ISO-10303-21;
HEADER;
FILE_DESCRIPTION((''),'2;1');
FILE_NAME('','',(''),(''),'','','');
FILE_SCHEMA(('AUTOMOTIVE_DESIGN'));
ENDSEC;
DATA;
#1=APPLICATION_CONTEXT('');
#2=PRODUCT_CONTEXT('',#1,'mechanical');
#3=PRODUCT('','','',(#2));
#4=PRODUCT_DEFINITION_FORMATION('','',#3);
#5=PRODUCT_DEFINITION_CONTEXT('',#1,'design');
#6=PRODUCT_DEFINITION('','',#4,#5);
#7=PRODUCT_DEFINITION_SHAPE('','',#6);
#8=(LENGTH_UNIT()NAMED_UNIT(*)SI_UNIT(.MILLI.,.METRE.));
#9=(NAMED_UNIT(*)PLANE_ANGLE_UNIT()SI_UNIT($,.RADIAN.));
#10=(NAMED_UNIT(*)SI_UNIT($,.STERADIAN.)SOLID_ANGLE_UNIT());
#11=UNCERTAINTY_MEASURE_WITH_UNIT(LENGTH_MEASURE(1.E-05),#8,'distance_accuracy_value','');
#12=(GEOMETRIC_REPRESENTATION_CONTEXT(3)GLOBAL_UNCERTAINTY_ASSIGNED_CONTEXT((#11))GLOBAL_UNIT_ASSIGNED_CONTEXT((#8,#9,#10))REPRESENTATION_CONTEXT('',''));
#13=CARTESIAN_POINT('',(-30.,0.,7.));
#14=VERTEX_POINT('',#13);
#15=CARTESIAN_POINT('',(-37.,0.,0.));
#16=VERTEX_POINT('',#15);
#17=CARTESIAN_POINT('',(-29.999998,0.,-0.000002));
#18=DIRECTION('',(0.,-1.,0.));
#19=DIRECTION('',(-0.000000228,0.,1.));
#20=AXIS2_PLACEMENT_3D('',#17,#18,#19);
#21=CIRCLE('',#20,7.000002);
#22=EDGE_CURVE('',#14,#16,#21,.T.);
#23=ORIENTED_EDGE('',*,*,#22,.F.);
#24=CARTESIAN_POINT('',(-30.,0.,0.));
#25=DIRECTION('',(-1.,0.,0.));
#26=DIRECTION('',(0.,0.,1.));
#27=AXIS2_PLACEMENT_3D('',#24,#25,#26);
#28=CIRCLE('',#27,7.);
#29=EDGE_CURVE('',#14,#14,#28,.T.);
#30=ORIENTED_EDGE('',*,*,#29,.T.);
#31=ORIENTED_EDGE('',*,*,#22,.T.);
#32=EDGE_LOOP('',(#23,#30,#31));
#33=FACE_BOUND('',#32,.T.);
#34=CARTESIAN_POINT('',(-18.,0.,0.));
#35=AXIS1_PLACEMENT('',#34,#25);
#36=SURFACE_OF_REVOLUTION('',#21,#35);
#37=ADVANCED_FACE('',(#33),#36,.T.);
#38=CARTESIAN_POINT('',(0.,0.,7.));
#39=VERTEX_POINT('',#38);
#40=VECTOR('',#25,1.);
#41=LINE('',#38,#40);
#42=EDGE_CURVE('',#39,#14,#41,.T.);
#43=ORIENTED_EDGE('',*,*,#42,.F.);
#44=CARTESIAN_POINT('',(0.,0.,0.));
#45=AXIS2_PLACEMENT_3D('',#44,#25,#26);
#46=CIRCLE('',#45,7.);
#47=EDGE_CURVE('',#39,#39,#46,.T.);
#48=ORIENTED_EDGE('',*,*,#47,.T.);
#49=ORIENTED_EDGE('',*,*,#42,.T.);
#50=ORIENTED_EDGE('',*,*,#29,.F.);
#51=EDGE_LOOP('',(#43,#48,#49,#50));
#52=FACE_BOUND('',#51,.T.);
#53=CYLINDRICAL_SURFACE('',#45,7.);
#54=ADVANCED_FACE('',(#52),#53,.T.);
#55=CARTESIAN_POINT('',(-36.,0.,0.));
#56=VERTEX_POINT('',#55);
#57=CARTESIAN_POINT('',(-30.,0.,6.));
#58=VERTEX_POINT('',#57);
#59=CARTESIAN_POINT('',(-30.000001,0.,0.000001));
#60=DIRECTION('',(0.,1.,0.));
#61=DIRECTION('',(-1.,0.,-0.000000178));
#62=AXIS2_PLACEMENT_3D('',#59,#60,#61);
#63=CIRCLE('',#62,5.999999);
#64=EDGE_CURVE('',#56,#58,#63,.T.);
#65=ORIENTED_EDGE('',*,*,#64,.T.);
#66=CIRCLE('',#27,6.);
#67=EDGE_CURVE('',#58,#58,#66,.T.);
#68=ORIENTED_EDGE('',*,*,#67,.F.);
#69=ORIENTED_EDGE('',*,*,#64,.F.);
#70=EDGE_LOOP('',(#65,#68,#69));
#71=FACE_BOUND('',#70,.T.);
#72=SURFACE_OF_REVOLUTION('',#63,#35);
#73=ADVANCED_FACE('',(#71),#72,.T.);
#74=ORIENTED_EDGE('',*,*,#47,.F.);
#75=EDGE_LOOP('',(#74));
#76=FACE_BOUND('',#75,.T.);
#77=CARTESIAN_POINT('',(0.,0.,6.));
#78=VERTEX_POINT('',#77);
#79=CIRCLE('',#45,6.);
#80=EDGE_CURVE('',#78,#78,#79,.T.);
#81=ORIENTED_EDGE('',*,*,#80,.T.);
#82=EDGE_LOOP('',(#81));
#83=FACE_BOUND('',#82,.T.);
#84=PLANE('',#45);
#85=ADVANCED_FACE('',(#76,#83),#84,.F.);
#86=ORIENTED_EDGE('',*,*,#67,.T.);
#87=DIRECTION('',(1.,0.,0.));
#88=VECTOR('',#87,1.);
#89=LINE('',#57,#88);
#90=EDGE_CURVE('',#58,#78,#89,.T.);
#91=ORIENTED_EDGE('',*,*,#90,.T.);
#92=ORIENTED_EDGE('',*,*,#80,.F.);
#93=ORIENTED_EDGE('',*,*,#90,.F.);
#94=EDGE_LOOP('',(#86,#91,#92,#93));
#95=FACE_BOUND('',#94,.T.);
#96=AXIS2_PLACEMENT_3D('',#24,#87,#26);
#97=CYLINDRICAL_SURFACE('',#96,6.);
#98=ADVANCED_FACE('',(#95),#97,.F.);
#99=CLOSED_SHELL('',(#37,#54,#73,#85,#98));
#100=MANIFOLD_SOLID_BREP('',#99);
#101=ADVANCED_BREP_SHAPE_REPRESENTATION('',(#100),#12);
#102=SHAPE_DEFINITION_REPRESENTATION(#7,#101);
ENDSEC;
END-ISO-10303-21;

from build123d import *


with BuildPart() as f1:
    # F0 (on Front) → F1 (revolve)
    with BuildSketch(Plane.XZ):
        with BuildLine():
            Line((0, 6), (0, 7))
            Line((0, 7), (-30, 7))
            ThreePointArc((-30, 7), (-34.949747, 4.949747), (-37, 0))
            Line((-37, 0), (-36, 0))
            ThreePointArc((-36, 0), (-34.242641, 4.242641), (-30, 6))
            Line((-30, 6), (0, 6))
        make_face()
    revolve(axis=Axis((-18, 0, 0), (-1, 0, 0)))


solid = f1.part
